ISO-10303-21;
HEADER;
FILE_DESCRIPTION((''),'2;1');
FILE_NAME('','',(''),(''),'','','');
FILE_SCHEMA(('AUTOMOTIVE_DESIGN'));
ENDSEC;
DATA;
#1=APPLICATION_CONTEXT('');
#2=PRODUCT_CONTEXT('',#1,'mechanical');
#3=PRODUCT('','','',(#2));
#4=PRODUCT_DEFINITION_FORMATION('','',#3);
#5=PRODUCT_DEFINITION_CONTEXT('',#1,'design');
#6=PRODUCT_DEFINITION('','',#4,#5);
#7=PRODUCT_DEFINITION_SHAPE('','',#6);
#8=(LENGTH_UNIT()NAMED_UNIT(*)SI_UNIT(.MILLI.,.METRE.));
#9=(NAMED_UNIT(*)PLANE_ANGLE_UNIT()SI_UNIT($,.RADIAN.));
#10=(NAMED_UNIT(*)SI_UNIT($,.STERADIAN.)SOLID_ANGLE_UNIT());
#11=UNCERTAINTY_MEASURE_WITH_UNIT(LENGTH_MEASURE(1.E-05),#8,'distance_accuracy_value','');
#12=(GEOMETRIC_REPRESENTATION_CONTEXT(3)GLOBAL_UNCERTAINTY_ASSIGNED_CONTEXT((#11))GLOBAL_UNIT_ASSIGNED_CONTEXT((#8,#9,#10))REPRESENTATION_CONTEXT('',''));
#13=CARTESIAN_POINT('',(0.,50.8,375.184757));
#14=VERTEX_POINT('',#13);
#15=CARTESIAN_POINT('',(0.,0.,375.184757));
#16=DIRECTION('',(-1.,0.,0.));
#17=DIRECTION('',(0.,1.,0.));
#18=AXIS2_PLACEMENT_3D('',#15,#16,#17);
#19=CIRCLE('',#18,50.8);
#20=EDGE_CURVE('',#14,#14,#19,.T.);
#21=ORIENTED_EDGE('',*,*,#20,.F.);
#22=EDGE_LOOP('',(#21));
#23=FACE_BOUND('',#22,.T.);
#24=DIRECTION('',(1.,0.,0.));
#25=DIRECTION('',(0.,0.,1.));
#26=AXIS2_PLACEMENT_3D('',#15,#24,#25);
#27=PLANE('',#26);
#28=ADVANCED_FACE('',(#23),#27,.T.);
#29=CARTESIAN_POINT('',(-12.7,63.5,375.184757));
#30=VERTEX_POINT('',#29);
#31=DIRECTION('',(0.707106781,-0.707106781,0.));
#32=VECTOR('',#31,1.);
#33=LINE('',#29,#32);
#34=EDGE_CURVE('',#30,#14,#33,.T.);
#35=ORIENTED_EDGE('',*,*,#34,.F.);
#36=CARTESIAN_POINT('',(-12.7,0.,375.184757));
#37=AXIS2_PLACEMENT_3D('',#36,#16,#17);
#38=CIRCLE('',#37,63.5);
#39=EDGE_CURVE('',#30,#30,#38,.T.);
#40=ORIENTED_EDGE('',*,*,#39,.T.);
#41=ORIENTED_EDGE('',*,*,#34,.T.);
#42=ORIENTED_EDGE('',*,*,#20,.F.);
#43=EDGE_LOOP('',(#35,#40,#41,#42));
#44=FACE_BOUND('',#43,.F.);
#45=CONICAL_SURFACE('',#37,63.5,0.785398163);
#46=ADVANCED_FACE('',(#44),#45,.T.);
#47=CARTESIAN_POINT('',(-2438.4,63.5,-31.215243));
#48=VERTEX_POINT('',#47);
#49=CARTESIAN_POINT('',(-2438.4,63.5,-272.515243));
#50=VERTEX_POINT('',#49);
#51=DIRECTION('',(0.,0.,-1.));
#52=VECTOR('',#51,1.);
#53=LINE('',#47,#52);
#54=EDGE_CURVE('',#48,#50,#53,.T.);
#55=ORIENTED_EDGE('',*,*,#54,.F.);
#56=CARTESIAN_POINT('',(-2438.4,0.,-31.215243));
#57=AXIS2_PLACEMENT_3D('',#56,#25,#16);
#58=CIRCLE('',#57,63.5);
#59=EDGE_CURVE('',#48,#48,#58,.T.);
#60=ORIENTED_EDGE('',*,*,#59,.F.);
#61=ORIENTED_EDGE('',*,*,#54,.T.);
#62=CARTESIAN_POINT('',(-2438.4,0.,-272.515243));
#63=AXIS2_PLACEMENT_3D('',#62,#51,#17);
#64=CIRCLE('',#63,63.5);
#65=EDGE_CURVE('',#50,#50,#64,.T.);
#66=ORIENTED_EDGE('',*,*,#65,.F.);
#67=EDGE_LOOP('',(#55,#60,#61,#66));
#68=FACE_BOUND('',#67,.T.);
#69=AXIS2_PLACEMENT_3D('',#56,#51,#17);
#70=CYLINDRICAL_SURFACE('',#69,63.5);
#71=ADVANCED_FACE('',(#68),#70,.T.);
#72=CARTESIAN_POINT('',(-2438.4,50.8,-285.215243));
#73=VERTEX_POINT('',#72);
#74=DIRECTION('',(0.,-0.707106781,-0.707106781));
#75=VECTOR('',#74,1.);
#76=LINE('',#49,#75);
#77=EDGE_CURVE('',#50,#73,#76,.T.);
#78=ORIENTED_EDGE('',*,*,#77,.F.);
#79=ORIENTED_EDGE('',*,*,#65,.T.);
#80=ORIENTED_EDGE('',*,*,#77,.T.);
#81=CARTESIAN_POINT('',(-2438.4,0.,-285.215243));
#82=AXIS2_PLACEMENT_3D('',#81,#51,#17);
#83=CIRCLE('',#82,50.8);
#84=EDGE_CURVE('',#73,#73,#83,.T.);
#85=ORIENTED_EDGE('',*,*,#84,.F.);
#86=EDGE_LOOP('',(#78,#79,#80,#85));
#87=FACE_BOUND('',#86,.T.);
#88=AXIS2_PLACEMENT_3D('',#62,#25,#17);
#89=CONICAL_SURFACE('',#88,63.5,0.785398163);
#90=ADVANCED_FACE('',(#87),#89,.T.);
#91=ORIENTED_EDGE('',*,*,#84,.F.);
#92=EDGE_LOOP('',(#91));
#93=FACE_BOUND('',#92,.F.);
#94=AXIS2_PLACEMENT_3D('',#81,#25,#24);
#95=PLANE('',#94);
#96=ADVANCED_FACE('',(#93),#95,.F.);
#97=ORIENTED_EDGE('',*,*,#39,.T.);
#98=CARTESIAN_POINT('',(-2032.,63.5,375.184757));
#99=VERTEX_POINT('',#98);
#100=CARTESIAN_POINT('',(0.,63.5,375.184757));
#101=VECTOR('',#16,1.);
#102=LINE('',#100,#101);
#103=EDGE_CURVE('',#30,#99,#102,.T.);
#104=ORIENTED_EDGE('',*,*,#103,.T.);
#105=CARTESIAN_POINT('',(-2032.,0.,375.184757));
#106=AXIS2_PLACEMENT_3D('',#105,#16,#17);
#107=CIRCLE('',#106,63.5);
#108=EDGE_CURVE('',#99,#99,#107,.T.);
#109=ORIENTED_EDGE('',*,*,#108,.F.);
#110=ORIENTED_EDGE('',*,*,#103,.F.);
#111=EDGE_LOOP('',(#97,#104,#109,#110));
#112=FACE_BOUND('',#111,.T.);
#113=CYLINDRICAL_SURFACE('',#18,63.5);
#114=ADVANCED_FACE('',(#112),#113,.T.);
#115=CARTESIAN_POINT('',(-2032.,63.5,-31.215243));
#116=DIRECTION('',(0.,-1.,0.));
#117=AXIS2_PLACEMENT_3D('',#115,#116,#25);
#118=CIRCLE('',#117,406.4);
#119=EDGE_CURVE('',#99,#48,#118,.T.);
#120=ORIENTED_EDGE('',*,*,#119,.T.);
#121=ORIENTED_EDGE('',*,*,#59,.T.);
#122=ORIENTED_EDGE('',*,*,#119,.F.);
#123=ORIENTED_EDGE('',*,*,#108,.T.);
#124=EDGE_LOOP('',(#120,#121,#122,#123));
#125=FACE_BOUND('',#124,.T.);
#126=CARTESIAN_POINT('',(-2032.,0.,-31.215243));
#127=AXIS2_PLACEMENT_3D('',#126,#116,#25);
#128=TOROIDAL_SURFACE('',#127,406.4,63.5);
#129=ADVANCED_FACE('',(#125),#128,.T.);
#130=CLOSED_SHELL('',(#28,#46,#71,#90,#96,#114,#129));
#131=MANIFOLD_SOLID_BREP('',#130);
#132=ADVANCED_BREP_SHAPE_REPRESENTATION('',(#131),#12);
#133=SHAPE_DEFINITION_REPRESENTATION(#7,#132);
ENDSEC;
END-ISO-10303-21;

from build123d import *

# Parameters (mm, degrees)
F1_R     = 63.5
F3_SIZE2 = 12.7
F3_SIZE  = 12.7


with BuildPart() as f2:
    # F2: sweep along a path in F0
    with BuildLine(Plane.XZ) as f2_path:
        Line((0, 375.1847569466), (-2032, 375.1847569466))
        ThreePointArc((-2032, 375.1847569466), (-2319.3681958742, 256.1529528208), (-2438.4, -31.2152430534))
        Line((-2438.4, -31.2152430534), (-2438.4, -285.2152430534))
    # F1 (on Right) → F2 (sweep)
    with BuildSketch(Plane.YZ):
        with Locations((0, 375.1847569466)):
            Circle(F1_R)
    sweep(path=f2_path.line)

    # F3
    f3_edges = [f2.edges().sort_by_distance(p)[0] for p in [
        (0, -63.5, 375.184757),
        (-2438.4, -63.5, -285.215243),
    ]]
    chamfer(f3_edges, length=F3_SIZE, length2=F3_SIZE2)


solid = f2.part
